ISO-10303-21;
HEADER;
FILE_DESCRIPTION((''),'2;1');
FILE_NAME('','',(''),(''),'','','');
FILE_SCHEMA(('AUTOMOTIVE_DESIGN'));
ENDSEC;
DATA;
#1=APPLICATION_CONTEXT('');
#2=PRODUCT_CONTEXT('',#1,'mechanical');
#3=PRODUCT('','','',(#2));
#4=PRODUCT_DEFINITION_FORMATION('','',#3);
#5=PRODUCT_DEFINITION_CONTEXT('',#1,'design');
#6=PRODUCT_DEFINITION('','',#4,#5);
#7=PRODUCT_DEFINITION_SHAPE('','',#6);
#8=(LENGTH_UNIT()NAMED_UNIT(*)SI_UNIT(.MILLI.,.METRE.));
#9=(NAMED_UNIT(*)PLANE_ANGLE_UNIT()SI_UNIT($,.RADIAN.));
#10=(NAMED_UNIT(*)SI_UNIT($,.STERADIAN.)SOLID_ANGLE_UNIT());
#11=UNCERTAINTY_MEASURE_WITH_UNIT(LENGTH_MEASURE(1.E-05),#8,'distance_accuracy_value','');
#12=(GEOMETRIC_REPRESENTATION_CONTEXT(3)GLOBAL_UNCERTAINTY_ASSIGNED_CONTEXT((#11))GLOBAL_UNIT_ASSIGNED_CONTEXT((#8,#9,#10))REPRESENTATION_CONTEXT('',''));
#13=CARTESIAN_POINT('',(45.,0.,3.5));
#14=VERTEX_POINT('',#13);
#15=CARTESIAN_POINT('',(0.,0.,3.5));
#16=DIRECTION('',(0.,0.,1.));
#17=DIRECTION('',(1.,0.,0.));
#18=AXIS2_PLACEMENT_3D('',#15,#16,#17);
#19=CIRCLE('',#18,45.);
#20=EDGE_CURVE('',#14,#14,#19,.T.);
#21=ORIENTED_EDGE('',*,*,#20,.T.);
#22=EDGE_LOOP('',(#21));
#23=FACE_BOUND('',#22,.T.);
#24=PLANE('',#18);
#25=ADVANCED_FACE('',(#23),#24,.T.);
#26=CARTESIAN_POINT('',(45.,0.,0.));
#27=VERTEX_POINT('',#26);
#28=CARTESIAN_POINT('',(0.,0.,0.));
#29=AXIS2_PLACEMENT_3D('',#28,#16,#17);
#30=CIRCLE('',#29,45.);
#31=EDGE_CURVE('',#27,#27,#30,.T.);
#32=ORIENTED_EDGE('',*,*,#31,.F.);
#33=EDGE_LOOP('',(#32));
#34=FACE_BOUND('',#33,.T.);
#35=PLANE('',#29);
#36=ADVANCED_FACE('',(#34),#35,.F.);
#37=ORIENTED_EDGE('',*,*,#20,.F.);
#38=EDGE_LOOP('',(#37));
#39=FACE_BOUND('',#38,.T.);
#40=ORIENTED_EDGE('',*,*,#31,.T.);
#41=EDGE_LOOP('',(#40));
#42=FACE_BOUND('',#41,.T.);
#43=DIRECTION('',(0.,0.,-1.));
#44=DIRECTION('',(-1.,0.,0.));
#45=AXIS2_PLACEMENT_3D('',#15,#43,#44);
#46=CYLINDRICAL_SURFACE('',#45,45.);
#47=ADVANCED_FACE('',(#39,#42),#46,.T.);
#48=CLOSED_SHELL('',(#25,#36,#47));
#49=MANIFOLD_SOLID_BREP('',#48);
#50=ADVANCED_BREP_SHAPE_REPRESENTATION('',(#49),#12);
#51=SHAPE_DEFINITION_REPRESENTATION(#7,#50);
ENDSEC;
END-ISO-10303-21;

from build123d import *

# Parameters (mm, degrees)
CROQUIS1_R = 45
DISK_DEPTH = 3.5


with BuildPart() as part:
    # Croquis1 → Disk (new body)
    with BuildSketch(Plane.XY):
        Circle(CROQUIS1_R)
    extrude(amount=DISK_DEPTH)


solid = part.part
